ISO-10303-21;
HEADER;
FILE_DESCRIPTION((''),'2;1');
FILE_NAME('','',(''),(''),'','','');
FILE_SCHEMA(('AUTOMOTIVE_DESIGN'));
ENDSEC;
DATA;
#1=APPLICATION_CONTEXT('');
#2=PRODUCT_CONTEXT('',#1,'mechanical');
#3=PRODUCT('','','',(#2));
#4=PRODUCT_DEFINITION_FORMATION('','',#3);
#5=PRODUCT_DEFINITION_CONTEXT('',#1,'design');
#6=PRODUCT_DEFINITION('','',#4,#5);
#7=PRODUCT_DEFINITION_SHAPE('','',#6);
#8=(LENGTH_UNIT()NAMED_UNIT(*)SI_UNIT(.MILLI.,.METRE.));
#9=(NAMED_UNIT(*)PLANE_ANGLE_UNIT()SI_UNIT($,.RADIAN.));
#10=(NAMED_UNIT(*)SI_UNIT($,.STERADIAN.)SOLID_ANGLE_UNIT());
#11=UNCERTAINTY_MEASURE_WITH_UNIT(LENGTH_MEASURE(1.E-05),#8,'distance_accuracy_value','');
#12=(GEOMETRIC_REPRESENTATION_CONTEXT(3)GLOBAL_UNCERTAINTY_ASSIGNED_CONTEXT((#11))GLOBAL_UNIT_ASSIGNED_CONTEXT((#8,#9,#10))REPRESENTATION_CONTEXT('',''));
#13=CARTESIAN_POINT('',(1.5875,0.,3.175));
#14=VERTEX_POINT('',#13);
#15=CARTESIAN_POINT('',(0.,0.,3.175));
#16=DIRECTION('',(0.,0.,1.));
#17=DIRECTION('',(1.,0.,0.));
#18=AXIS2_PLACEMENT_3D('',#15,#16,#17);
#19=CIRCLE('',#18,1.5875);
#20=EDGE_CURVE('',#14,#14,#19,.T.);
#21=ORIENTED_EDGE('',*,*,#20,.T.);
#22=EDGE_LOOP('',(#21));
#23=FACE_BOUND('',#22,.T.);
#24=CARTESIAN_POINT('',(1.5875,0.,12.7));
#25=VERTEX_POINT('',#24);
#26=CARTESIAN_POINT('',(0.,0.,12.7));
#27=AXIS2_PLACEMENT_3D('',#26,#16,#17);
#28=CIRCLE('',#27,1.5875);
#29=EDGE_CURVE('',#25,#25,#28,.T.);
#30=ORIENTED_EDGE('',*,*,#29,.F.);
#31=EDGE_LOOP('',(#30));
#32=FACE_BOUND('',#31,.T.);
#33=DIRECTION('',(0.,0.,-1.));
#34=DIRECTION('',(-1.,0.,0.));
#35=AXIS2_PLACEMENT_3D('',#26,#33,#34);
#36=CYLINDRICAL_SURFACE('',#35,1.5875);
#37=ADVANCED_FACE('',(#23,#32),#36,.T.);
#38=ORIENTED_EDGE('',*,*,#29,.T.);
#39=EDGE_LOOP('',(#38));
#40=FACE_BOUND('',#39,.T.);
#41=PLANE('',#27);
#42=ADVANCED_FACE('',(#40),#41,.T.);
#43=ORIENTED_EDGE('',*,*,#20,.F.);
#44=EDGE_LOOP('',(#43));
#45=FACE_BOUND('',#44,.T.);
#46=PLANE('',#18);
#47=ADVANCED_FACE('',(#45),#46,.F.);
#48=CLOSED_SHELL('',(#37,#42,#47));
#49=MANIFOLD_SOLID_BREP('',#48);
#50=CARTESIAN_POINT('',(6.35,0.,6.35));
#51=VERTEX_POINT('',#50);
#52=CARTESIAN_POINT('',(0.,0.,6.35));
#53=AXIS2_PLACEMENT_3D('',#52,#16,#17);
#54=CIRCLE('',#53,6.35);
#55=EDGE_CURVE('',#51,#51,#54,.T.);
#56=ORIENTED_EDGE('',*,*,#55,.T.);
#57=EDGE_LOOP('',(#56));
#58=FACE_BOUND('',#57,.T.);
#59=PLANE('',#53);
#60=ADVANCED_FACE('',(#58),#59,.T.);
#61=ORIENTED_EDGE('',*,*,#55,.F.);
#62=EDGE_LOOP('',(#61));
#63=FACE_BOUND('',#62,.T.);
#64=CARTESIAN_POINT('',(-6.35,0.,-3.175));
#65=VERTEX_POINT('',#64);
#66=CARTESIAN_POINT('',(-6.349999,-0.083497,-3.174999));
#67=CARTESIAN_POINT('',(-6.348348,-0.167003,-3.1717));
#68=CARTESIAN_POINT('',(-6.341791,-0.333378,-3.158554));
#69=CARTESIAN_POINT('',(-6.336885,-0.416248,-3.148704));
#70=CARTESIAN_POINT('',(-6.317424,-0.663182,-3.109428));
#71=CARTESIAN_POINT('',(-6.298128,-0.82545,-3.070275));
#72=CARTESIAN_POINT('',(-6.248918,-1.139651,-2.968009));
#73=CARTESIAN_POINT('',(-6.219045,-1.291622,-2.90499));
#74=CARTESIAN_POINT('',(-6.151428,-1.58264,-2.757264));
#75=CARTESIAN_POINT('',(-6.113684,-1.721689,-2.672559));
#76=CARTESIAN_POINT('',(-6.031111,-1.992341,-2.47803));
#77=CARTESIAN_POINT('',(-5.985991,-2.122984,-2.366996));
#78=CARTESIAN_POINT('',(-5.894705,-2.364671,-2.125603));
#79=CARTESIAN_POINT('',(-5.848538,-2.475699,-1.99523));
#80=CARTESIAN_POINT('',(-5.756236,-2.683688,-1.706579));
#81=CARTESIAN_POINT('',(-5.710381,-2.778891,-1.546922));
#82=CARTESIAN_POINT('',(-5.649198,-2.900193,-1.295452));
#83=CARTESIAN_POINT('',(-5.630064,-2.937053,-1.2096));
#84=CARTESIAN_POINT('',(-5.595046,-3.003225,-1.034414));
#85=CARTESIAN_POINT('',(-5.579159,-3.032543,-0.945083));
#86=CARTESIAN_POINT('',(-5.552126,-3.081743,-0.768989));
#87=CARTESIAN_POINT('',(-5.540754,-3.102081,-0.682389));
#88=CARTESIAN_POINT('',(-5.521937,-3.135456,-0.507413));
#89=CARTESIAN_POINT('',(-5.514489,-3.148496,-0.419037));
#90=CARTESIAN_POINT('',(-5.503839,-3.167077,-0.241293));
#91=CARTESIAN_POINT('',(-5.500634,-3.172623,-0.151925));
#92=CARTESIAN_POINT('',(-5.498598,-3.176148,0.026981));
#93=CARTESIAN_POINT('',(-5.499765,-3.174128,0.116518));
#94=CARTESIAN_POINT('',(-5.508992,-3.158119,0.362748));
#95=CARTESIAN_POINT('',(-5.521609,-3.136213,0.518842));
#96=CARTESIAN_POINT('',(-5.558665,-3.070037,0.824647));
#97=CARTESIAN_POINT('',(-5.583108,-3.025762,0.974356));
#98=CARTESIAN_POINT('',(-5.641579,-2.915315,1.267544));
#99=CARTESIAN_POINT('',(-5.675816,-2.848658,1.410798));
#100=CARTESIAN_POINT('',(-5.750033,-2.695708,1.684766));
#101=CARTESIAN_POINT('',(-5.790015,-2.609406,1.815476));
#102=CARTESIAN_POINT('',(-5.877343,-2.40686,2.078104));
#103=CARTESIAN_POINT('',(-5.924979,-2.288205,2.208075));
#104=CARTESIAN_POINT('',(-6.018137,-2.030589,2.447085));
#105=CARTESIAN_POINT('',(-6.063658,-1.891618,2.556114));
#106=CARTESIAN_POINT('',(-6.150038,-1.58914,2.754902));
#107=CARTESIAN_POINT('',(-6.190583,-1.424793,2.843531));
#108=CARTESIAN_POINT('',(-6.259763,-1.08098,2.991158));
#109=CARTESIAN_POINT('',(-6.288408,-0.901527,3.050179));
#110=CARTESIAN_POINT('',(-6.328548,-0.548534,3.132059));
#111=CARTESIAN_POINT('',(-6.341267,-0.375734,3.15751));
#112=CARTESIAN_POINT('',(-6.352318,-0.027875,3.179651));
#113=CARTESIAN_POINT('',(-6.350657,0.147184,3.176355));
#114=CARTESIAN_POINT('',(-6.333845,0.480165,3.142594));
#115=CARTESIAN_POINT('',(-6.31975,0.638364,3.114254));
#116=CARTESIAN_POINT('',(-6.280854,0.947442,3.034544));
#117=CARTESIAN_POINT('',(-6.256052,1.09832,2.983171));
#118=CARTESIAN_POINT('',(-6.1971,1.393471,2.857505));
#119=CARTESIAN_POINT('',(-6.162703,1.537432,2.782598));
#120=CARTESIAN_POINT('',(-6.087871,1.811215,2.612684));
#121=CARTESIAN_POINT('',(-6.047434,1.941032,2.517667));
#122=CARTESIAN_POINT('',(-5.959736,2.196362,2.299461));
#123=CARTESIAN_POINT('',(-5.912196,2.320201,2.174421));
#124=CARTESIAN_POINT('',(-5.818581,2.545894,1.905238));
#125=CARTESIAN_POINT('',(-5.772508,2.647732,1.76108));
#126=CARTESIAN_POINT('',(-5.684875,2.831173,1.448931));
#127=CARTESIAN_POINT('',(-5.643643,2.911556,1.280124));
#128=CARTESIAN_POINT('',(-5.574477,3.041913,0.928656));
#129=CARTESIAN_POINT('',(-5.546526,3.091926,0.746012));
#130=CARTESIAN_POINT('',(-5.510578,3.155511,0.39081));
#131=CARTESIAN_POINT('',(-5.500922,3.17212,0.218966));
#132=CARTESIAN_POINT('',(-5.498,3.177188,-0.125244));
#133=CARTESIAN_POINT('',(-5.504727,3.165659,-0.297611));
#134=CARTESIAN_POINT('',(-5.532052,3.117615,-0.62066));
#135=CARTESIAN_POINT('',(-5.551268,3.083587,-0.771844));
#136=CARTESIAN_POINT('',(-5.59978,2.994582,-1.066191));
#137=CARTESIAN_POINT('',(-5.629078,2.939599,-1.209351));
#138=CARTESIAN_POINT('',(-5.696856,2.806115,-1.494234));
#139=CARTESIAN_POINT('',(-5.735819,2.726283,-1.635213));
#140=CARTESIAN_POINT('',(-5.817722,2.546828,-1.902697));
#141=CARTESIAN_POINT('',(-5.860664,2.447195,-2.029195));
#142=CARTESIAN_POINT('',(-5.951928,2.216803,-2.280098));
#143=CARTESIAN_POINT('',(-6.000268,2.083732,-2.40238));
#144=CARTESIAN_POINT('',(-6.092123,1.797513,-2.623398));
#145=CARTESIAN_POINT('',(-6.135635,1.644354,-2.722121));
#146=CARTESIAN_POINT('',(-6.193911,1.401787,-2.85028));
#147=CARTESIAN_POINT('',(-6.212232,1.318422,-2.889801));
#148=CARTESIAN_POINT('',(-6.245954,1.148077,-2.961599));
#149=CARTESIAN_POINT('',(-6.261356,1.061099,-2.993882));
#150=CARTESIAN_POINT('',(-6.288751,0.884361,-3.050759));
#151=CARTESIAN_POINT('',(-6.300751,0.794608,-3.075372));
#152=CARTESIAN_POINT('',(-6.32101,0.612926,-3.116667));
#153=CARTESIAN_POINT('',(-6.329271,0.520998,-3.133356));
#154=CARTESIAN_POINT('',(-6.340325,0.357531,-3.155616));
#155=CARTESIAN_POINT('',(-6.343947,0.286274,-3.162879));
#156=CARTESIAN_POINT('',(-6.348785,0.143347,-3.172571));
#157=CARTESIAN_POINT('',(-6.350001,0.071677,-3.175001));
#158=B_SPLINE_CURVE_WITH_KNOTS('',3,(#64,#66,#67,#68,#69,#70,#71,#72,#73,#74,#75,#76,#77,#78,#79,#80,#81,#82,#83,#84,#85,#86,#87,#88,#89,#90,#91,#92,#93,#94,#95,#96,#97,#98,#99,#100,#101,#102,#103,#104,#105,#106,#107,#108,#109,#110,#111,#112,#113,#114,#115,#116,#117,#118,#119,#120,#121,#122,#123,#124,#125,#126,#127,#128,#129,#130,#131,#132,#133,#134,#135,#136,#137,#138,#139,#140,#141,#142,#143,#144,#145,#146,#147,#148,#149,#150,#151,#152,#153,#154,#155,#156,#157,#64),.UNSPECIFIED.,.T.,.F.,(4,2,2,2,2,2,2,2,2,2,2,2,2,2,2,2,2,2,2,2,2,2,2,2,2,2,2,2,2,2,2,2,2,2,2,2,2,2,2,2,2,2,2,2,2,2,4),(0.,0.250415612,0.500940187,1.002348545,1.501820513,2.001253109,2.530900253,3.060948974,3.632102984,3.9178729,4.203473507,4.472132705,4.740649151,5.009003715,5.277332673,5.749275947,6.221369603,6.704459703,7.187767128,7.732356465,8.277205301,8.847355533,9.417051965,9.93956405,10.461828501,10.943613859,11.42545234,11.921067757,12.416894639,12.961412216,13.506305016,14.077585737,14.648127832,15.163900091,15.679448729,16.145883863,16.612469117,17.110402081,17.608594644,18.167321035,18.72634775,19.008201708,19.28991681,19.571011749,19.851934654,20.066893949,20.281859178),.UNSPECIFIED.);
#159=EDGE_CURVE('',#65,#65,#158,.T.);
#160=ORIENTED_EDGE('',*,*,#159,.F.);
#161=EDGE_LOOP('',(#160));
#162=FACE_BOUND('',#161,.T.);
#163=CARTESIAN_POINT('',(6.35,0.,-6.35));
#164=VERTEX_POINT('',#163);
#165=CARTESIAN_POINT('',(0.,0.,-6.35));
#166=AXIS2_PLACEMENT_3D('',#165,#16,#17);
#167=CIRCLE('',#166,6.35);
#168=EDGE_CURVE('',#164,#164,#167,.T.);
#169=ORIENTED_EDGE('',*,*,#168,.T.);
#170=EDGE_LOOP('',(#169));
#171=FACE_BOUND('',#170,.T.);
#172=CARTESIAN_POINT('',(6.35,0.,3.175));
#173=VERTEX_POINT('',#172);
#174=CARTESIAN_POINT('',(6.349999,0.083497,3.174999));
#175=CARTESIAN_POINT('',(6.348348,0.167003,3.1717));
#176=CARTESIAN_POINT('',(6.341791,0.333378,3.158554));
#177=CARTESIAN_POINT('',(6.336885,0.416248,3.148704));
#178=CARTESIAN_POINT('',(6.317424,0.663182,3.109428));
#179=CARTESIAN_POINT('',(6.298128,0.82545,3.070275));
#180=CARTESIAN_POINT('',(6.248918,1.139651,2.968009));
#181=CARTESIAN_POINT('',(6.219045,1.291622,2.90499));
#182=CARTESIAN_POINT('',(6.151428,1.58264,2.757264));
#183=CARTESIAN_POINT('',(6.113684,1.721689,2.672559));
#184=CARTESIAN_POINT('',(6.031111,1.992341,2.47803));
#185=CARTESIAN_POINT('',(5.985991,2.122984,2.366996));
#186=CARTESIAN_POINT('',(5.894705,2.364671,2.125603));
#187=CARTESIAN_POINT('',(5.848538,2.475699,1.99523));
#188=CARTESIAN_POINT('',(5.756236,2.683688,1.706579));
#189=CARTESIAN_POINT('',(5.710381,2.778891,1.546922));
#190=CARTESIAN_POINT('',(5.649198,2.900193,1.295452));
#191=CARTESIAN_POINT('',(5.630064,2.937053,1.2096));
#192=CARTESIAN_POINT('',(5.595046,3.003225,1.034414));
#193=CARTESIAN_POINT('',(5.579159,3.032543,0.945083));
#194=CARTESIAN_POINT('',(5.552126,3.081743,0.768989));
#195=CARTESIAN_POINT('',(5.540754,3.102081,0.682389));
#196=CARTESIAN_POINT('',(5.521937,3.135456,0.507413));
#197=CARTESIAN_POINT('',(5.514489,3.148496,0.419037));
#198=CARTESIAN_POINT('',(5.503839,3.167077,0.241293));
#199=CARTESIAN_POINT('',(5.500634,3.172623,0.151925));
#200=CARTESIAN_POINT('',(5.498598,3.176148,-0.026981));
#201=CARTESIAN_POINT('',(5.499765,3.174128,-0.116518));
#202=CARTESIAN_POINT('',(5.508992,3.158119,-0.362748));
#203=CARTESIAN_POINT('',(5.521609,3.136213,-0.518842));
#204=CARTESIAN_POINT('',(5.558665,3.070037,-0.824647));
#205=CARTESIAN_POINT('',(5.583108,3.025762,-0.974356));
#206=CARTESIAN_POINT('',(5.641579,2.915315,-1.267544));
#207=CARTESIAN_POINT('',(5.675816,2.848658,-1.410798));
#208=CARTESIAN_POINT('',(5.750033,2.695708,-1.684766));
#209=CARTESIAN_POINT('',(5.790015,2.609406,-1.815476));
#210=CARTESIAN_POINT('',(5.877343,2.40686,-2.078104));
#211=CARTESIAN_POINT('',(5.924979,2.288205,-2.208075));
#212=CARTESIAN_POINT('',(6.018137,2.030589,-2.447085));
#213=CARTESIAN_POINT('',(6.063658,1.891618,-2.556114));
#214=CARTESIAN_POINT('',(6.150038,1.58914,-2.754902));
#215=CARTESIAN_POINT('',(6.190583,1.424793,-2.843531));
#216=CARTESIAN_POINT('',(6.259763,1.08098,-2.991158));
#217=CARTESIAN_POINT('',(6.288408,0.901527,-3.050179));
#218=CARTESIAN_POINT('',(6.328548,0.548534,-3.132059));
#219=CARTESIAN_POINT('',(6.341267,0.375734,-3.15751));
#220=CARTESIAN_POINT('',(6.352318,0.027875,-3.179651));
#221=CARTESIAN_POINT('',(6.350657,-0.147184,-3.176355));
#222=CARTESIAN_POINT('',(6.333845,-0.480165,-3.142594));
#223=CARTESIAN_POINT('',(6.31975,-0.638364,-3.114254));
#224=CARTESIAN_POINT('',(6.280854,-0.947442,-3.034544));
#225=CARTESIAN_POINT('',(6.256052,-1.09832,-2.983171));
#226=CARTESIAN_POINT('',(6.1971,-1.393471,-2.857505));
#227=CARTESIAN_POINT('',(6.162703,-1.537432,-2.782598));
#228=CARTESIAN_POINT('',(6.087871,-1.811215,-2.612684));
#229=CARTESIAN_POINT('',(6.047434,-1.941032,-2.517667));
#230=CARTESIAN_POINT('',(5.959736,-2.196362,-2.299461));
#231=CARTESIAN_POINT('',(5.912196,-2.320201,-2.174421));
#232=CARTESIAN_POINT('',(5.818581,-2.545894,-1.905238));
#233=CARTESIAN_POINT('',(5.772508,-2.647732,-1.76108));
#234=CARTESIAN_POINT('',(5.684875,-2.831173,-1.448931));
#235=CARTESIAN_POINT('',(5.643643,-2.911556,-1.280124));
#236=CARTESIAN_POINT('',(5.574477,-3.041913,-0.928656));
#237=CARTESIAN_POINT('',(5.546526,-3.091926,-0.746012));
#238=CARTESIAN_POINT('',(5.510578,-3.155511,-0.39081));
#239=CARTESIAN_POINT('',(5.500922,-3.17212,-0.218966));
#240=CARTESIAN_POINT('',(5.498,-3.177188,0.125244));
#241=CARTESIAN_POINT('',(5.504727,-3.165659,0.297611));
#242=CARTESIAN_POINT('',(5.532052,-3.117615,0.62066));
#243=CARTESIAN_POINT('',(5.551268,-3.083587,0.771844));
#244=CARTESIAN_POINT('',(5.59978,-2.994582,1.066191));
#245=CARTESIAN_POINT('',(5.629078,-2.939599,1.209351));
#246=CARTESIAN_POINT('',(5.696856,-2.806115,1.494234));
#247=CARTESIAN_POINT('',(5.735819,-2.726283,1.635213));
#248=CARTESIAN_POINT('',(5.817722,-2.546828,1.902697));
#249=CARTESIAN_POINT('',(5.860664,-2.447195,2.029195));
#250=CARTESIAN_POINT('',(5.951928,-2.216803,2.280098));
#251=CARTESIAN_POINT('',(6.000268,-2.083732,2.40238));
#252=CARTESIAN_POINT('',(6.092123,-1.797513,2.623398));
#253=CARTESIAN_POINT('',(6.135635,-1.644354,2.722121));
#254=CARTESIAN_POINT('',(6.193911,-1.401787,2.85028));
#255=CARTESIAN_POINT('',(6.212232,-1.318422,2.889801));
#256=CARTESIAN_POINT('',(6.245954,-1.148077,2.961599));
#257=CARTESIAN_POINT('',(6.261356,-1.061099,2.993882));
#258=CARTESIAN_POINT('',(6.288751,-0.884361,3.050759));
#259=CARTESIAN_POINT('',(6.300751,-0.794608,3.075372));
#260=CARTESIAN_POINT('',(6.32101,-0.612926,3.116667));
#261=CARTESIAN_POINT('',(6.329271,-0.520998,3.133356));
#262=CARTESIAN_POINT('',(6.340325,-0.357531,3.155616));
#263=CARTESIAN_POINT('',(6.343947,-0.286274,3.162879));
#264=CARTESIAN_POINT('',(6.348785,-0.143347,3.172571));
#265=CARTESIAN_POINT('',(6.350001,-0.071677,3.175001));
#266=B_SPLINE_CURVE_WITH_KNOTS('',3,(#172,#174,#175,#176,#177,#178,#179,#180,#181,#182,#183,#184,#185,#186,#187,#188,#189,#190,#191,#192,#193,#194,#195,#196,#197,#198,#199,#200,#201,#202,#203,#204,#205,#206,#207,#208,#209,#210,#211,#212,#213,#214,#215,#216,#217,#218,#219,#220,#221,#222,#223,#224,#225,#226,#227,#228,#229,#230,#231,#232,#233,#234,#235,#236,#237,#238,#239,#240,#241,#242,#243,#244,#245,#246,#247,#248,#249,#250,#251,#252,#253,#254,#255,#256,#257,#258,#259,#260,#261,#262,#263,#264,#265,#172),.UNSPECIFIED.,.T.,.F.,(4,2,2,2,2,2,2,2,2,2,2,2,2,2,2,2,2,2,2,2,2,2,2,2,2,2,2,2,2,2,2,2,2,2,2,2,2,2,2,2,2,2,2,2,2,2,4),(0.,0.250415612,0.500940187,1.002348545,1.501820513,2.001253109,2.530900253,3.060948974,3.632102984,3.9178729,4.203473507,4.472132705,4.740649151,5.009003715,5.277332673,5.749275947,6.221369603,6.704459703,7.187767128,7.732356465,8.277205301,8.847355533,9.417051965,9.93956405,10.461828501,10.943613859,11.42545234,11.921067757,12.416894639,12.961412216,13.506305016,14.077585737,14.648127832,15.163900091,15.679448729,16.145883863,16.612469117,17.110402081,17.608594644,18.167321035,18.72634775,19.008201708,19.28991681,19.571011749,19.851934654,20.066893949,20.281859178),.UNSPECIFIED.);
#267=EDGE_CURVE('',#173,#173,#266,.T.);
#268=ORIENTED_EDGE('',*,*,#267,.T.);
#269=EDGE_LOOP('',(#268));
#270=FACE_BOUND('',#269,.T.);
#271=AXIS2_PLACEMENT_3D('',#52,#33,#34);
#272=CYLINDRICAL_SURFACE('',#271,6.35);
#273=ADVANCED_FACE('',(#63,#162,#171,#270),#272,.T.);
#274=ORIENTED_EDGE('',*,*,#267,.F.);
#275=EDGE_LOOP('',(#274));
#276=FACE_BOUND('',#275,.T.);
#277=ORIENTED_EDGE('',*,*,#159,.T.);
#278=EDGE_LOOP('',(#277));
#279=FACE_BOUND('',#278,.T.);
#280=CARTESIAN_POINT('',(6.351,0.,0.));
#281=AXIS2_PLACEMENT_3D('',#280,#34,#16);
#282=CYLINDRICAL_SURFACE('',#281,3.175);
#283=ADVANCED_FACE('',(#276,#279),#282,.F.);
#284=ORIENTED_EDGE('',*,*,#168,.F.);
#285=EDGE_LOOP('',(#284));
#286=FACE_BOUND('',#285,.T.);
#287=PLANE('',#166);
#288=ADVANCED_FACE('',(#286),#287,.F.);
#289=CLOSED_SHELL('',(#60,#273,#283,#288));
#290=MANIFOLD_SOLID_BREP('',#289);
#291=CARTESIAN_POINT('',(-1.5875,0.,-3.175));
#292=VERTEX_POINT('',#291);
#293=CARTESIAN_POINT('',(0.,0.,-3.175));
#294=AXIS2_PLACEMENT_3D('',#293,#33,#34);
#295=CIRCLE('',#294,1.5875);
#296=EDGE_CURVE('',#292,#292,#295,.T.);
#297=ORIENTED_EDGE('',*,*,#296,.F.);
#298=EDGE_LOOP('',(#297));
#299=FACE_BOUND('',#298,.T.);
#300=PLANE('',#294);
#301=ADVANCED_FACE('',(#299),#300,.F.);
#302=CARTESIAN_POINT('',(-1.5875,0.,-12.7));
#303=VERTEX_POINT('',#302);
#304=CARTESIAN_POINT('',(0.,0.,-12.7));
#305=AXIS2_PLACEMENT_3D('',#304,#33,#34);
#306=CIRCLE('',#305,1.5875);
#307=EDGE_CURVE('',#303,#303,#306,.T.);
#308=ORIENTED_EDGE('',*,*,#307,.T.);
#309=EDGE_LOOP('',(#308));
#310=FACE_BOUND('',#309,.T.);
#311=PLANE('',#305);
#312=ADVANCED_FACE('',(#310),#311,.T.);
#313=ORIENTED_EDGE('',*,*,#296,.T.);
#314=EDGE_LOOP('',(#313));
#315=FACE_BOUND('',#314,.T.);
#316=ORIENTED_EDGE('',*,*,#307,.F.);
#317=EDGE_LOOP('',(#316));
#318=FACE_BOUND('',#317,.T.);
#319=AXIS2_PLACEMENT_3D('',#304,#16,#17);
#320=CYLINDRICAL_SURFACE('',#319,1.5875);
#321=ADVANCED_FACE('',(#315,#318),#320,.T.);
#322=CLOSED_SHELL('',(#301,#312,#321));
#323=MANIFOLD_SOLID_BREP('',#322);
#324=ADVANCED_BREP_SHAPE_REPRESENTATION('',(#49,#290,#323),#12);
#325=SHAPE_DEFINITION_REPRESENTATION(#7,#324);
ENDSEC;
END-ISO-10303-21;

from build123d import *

# Parameters (mm, degrees)
SKETCH1_R                      = 6.35
EXTRUDE1_DEPTH                 = 6.35
EXTRUDE1_DEPTH_BACK            = 6.35
CUT_EXTRUDE1_REACH             = 8.35
SKETCH2_R                      = 3.175
CUT_EXTRUDE1_DIRECTION_2_REACH = 8.35
SKETCH3_R                      = 1.5875
EXTRUDE2_DEPTH                 = 6.35
EXTRUDE2_DEPTH_BACK            = 3.175
SKETCH4_R                      = 1.5875
EXTRUDE3_DEPTH                 = 6.35
EXTRUDE3_DEPTH_BACK            = 3.175


with BuildPart() as part:
    # Sketch1 → Extrude1 (new body, two sides)
    with BuildSketch(Plane.XY) as extrude1_sk:
        Circle(SKETCH1_R)
    extrude(amount=EXTRUDE1_DEPTH)
    extrude(extrude1_sk.sketch, amount=-EXTRUDE1_DEPTH_BACK)

    # Sketch2 → Cut-Extrude1 (cut, up to next)
    with BuildSketch(Plane(origin=(0, 0, 0), x_dir=(0, 0, -1), z_dir=(1, 0, 0)), mode=Mode.PRIVATE) as cut_extrude1_sk1:
        Circle(SKETCH2_R)
    cut_extrude1_tool1 = extrude(cut_extrude1_sk1.sketch, amount=-CUT_EXTRUDE1_REACH, mode=Mode.PRIVATE) & part.part
    add(cut_extrude1_tool1.solids().sort_by_distance((0, 0, 0))[0], mode=Mode.SUBTRACT)

    # Sketch2 → Cut-Extrude1 direction 2 (cut, up to next)
    with BuildSketch(Plane(origin=(0, 0, 0), x_dir=(0, 0, -1), z_dir=(1, 0, 0)), mode=Mode.PRIVATE) as cut_extrude1_direction_2_sk1:
        Circle(SKETCH2_R)
    cut_extrude1_direction_2_tool1 = extrude(cut_extrude1_direction_2_sk1.sketch, amount=CUT_EXTRUDE1_DIRECTION_2_REACH, mode=Mode.PRIVATE) & part.part
    add(cut_extrude1_direction_2_tool1.solids().sort_by_distance((0, 0, 0))[0], mode=Mode.SUBTRACT)


with BuildPart() as body_2:
    # Sketch3 → Extrude2 (new body, two sides)
    with BuildSketch(Plane.XY.offset(6.35)) as extrude2_sk:
        Circle(SKETCH3_R)
    extrude(amount=EXTRUDE2_DEPTH)
    extrude(extrude2_sk.sketch, amount=-EXTRUDE2_DEPTH_BACK)


with BuildPart() as body_3:
    # Sketch4 → Extrude3 (new body, two sides)
    with BuildSketch(Plane(origin=(0, 0, -6.35), x_dir=(-1, 0, 0), z_dir=(0, 0, -1))) as extrude3_sk:
        Circle(SKETCH4_R)
    extrude(amount=EXTRUDE3_DEPTH)
    extrude(extrude3_sk.sketch, amount=-EXTRUDE3_DEPTH_BACK)


solid = Compound([part.part, body_2.part, body_3.part])
